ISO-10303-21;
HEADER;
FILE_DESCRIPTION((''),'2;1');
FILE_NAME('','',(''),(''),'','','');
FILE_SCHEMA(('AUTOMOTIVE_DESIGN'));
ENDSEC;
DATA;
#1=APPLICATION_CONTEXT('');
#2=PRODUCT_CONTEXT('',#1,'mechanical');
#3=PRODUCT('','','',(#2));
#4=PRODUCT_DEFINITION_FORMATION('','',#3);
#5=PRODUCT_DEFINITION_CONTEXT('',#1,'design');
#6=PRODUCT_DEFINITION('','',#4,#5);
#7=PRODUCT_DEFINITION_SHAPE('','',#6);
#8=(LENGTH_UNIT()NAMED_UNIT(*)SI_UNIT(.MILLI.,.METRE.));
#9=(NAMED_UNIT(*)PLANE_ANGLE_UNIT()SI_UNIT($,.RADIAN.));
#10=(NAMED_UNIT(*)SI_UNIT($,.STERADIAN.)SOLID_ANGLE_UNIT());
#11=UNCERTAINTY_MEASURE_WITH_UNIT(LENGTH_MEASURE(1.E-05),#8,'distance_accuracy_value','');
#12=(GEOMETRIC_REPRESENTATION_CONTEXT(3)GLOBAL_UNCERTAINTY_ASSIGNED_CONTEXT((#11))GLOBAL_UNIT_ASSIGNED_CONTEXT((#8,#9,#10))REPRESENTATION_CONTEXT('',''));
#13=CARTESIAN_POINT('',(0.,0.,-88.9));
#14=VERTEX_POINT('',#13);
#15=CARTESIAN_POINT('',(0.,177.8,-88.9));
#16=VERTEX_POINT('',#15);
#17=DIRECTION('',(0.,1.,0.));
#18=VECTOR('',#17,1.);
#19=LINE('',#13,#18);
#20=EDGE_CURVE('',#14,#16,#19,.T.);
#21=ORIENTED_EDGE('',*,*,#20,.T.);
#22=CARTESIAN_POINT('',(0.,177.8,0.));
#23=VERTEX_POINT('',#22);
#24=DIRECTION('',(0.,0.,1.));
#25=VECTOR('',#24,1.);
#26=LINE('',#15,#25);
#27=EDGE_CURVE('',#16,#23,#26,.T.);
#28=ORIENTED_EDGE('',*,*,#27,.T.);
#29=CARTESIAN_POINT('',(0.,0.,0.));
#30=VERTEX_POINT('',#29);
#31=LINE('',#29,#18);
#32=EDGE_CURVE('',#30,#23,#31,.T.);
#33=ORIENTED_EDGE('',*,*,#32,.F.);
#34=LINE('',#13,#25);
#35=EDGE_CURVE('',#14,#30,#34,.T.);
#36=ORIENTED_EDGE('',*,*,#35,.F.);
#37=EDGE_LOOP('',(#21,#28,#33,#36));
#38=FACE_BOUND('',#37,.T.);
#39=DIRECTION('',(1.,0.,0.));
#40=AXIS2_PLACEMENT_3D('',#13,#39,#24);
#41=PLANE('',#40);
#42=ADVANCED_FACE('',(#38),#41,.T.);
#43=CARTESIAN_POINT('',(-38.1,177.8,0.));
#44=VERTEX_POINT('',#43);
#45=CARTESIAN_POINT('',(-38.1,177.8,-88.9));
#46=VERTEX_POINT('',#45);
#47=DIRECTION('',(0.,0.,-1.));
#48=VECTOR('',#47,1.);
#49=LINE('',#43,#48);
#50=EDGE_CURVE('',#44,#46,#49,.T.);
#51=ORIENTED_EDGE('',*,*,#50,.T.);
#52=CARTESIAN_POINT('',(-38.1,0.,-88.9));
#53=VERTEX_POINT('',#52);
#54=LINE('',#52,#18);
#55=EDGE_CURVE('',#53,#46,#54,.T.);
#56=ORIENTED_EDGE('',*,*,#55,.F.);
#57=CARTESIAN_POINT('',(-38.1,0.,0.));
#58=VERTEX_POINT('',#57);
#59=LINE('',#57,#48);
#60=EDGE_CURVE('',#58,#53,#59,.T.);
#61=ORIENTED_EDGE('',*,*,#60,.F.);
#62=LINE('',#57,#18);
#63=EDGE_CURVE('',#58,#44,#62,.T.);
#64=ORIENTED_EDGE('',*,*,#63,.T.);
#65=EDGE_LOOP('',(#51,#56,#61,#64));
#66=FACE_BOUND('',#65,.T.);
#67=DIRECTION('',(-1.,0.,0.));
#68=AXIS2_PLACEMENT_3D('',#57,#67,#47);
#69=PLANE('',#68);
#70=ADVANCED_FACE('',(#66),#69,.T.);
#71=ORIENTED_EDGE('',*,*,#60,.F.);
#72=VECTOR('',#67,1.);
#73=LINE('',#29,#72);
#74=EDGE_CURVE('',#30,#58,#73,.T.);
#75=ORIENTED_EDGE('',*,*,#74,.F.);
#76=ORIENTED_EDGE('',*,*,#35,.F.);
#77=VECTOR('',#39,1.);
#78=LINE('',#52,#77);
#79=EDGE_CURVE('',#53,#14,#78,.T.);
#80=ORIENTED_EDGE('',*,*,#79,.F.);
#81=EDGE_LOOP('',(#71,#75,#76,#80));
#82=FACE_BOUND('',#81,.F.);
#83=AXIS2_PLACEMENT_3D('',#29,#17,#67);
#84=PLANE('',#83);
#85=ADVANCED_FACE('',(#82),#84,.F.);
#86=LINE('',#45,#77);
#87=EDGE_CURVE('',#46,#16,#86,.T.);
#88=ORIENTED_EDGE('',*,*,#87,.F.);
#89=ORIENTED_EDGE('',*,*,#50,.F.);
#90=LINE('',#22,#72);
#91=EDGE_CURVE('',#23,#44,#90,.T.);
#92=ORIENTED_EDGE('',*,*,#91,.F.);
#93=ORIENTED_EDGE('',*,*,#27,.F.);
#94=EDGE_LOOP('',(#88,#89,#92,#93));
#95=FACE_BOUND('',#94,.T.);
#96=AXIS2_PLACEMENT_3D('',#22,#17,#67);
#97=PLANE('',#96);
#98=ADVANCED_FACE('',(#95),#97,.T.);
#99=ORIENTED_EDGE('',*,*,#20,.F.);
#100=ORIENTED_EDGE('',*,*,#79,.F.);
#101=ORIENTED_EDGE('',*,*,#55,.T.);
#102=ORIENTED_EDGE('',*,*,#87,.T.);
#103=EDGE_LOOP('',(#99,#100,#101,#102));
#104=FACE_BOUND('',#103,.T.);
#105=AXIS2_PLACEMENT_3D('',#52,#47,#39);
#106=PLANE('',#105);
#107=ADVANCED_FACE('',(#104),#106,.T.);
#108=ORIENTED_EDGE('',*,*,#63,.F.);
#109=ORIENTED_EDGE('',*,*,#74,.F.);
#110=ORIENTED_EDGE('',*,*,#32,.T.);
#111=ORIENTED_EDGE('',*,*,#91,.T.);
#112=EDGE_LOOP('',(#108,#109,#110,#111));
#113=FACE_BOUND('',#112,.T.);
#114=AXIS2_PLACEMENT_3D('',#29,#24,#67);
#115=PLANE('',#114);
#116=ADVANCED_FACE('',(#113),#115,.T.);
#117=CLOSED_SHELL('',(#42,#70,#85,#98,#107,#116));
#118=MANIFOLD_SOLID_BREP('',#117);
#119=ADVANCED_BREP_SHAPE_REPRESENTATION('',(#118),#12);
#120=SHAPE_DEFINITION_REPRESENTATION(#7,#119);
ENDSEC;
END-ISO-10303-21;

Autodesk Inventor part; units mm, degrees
ref_plane "YZ Plane" through (0, 0, 0) normal (1, 0, 0) x (0, 1, 0)
ref_plane "XZ Plane" through (0, 0, 0) normal (0, 1, 0) x (-1, 0, 0)
ref_plane "XY Plane" through (0, 0, 0) normal (0, 0, 1) x (1, 0, 0)
sketch "Sketch1" plane through (0, 0, 0) normal (0, 1, 0) x (-1, 0, 0)
  line L0 (0, 0) -> (38.1, 0)
  line L1 (38.1, 0) -> (38.1, -88.9)
  line L2 (38.1, -88.9) -> (0, -88.9)
  line L3 (0, -88.9) -> (0, 0)
  dimension "d0" = 88.9
  dimension "d1" = 38.1
extrude "Extrusion1" add sketch "Sketch1" along normal blind 177.8
properties part number "Stud_With_Height_6.75_Inches" material "Wood (Birch)"
